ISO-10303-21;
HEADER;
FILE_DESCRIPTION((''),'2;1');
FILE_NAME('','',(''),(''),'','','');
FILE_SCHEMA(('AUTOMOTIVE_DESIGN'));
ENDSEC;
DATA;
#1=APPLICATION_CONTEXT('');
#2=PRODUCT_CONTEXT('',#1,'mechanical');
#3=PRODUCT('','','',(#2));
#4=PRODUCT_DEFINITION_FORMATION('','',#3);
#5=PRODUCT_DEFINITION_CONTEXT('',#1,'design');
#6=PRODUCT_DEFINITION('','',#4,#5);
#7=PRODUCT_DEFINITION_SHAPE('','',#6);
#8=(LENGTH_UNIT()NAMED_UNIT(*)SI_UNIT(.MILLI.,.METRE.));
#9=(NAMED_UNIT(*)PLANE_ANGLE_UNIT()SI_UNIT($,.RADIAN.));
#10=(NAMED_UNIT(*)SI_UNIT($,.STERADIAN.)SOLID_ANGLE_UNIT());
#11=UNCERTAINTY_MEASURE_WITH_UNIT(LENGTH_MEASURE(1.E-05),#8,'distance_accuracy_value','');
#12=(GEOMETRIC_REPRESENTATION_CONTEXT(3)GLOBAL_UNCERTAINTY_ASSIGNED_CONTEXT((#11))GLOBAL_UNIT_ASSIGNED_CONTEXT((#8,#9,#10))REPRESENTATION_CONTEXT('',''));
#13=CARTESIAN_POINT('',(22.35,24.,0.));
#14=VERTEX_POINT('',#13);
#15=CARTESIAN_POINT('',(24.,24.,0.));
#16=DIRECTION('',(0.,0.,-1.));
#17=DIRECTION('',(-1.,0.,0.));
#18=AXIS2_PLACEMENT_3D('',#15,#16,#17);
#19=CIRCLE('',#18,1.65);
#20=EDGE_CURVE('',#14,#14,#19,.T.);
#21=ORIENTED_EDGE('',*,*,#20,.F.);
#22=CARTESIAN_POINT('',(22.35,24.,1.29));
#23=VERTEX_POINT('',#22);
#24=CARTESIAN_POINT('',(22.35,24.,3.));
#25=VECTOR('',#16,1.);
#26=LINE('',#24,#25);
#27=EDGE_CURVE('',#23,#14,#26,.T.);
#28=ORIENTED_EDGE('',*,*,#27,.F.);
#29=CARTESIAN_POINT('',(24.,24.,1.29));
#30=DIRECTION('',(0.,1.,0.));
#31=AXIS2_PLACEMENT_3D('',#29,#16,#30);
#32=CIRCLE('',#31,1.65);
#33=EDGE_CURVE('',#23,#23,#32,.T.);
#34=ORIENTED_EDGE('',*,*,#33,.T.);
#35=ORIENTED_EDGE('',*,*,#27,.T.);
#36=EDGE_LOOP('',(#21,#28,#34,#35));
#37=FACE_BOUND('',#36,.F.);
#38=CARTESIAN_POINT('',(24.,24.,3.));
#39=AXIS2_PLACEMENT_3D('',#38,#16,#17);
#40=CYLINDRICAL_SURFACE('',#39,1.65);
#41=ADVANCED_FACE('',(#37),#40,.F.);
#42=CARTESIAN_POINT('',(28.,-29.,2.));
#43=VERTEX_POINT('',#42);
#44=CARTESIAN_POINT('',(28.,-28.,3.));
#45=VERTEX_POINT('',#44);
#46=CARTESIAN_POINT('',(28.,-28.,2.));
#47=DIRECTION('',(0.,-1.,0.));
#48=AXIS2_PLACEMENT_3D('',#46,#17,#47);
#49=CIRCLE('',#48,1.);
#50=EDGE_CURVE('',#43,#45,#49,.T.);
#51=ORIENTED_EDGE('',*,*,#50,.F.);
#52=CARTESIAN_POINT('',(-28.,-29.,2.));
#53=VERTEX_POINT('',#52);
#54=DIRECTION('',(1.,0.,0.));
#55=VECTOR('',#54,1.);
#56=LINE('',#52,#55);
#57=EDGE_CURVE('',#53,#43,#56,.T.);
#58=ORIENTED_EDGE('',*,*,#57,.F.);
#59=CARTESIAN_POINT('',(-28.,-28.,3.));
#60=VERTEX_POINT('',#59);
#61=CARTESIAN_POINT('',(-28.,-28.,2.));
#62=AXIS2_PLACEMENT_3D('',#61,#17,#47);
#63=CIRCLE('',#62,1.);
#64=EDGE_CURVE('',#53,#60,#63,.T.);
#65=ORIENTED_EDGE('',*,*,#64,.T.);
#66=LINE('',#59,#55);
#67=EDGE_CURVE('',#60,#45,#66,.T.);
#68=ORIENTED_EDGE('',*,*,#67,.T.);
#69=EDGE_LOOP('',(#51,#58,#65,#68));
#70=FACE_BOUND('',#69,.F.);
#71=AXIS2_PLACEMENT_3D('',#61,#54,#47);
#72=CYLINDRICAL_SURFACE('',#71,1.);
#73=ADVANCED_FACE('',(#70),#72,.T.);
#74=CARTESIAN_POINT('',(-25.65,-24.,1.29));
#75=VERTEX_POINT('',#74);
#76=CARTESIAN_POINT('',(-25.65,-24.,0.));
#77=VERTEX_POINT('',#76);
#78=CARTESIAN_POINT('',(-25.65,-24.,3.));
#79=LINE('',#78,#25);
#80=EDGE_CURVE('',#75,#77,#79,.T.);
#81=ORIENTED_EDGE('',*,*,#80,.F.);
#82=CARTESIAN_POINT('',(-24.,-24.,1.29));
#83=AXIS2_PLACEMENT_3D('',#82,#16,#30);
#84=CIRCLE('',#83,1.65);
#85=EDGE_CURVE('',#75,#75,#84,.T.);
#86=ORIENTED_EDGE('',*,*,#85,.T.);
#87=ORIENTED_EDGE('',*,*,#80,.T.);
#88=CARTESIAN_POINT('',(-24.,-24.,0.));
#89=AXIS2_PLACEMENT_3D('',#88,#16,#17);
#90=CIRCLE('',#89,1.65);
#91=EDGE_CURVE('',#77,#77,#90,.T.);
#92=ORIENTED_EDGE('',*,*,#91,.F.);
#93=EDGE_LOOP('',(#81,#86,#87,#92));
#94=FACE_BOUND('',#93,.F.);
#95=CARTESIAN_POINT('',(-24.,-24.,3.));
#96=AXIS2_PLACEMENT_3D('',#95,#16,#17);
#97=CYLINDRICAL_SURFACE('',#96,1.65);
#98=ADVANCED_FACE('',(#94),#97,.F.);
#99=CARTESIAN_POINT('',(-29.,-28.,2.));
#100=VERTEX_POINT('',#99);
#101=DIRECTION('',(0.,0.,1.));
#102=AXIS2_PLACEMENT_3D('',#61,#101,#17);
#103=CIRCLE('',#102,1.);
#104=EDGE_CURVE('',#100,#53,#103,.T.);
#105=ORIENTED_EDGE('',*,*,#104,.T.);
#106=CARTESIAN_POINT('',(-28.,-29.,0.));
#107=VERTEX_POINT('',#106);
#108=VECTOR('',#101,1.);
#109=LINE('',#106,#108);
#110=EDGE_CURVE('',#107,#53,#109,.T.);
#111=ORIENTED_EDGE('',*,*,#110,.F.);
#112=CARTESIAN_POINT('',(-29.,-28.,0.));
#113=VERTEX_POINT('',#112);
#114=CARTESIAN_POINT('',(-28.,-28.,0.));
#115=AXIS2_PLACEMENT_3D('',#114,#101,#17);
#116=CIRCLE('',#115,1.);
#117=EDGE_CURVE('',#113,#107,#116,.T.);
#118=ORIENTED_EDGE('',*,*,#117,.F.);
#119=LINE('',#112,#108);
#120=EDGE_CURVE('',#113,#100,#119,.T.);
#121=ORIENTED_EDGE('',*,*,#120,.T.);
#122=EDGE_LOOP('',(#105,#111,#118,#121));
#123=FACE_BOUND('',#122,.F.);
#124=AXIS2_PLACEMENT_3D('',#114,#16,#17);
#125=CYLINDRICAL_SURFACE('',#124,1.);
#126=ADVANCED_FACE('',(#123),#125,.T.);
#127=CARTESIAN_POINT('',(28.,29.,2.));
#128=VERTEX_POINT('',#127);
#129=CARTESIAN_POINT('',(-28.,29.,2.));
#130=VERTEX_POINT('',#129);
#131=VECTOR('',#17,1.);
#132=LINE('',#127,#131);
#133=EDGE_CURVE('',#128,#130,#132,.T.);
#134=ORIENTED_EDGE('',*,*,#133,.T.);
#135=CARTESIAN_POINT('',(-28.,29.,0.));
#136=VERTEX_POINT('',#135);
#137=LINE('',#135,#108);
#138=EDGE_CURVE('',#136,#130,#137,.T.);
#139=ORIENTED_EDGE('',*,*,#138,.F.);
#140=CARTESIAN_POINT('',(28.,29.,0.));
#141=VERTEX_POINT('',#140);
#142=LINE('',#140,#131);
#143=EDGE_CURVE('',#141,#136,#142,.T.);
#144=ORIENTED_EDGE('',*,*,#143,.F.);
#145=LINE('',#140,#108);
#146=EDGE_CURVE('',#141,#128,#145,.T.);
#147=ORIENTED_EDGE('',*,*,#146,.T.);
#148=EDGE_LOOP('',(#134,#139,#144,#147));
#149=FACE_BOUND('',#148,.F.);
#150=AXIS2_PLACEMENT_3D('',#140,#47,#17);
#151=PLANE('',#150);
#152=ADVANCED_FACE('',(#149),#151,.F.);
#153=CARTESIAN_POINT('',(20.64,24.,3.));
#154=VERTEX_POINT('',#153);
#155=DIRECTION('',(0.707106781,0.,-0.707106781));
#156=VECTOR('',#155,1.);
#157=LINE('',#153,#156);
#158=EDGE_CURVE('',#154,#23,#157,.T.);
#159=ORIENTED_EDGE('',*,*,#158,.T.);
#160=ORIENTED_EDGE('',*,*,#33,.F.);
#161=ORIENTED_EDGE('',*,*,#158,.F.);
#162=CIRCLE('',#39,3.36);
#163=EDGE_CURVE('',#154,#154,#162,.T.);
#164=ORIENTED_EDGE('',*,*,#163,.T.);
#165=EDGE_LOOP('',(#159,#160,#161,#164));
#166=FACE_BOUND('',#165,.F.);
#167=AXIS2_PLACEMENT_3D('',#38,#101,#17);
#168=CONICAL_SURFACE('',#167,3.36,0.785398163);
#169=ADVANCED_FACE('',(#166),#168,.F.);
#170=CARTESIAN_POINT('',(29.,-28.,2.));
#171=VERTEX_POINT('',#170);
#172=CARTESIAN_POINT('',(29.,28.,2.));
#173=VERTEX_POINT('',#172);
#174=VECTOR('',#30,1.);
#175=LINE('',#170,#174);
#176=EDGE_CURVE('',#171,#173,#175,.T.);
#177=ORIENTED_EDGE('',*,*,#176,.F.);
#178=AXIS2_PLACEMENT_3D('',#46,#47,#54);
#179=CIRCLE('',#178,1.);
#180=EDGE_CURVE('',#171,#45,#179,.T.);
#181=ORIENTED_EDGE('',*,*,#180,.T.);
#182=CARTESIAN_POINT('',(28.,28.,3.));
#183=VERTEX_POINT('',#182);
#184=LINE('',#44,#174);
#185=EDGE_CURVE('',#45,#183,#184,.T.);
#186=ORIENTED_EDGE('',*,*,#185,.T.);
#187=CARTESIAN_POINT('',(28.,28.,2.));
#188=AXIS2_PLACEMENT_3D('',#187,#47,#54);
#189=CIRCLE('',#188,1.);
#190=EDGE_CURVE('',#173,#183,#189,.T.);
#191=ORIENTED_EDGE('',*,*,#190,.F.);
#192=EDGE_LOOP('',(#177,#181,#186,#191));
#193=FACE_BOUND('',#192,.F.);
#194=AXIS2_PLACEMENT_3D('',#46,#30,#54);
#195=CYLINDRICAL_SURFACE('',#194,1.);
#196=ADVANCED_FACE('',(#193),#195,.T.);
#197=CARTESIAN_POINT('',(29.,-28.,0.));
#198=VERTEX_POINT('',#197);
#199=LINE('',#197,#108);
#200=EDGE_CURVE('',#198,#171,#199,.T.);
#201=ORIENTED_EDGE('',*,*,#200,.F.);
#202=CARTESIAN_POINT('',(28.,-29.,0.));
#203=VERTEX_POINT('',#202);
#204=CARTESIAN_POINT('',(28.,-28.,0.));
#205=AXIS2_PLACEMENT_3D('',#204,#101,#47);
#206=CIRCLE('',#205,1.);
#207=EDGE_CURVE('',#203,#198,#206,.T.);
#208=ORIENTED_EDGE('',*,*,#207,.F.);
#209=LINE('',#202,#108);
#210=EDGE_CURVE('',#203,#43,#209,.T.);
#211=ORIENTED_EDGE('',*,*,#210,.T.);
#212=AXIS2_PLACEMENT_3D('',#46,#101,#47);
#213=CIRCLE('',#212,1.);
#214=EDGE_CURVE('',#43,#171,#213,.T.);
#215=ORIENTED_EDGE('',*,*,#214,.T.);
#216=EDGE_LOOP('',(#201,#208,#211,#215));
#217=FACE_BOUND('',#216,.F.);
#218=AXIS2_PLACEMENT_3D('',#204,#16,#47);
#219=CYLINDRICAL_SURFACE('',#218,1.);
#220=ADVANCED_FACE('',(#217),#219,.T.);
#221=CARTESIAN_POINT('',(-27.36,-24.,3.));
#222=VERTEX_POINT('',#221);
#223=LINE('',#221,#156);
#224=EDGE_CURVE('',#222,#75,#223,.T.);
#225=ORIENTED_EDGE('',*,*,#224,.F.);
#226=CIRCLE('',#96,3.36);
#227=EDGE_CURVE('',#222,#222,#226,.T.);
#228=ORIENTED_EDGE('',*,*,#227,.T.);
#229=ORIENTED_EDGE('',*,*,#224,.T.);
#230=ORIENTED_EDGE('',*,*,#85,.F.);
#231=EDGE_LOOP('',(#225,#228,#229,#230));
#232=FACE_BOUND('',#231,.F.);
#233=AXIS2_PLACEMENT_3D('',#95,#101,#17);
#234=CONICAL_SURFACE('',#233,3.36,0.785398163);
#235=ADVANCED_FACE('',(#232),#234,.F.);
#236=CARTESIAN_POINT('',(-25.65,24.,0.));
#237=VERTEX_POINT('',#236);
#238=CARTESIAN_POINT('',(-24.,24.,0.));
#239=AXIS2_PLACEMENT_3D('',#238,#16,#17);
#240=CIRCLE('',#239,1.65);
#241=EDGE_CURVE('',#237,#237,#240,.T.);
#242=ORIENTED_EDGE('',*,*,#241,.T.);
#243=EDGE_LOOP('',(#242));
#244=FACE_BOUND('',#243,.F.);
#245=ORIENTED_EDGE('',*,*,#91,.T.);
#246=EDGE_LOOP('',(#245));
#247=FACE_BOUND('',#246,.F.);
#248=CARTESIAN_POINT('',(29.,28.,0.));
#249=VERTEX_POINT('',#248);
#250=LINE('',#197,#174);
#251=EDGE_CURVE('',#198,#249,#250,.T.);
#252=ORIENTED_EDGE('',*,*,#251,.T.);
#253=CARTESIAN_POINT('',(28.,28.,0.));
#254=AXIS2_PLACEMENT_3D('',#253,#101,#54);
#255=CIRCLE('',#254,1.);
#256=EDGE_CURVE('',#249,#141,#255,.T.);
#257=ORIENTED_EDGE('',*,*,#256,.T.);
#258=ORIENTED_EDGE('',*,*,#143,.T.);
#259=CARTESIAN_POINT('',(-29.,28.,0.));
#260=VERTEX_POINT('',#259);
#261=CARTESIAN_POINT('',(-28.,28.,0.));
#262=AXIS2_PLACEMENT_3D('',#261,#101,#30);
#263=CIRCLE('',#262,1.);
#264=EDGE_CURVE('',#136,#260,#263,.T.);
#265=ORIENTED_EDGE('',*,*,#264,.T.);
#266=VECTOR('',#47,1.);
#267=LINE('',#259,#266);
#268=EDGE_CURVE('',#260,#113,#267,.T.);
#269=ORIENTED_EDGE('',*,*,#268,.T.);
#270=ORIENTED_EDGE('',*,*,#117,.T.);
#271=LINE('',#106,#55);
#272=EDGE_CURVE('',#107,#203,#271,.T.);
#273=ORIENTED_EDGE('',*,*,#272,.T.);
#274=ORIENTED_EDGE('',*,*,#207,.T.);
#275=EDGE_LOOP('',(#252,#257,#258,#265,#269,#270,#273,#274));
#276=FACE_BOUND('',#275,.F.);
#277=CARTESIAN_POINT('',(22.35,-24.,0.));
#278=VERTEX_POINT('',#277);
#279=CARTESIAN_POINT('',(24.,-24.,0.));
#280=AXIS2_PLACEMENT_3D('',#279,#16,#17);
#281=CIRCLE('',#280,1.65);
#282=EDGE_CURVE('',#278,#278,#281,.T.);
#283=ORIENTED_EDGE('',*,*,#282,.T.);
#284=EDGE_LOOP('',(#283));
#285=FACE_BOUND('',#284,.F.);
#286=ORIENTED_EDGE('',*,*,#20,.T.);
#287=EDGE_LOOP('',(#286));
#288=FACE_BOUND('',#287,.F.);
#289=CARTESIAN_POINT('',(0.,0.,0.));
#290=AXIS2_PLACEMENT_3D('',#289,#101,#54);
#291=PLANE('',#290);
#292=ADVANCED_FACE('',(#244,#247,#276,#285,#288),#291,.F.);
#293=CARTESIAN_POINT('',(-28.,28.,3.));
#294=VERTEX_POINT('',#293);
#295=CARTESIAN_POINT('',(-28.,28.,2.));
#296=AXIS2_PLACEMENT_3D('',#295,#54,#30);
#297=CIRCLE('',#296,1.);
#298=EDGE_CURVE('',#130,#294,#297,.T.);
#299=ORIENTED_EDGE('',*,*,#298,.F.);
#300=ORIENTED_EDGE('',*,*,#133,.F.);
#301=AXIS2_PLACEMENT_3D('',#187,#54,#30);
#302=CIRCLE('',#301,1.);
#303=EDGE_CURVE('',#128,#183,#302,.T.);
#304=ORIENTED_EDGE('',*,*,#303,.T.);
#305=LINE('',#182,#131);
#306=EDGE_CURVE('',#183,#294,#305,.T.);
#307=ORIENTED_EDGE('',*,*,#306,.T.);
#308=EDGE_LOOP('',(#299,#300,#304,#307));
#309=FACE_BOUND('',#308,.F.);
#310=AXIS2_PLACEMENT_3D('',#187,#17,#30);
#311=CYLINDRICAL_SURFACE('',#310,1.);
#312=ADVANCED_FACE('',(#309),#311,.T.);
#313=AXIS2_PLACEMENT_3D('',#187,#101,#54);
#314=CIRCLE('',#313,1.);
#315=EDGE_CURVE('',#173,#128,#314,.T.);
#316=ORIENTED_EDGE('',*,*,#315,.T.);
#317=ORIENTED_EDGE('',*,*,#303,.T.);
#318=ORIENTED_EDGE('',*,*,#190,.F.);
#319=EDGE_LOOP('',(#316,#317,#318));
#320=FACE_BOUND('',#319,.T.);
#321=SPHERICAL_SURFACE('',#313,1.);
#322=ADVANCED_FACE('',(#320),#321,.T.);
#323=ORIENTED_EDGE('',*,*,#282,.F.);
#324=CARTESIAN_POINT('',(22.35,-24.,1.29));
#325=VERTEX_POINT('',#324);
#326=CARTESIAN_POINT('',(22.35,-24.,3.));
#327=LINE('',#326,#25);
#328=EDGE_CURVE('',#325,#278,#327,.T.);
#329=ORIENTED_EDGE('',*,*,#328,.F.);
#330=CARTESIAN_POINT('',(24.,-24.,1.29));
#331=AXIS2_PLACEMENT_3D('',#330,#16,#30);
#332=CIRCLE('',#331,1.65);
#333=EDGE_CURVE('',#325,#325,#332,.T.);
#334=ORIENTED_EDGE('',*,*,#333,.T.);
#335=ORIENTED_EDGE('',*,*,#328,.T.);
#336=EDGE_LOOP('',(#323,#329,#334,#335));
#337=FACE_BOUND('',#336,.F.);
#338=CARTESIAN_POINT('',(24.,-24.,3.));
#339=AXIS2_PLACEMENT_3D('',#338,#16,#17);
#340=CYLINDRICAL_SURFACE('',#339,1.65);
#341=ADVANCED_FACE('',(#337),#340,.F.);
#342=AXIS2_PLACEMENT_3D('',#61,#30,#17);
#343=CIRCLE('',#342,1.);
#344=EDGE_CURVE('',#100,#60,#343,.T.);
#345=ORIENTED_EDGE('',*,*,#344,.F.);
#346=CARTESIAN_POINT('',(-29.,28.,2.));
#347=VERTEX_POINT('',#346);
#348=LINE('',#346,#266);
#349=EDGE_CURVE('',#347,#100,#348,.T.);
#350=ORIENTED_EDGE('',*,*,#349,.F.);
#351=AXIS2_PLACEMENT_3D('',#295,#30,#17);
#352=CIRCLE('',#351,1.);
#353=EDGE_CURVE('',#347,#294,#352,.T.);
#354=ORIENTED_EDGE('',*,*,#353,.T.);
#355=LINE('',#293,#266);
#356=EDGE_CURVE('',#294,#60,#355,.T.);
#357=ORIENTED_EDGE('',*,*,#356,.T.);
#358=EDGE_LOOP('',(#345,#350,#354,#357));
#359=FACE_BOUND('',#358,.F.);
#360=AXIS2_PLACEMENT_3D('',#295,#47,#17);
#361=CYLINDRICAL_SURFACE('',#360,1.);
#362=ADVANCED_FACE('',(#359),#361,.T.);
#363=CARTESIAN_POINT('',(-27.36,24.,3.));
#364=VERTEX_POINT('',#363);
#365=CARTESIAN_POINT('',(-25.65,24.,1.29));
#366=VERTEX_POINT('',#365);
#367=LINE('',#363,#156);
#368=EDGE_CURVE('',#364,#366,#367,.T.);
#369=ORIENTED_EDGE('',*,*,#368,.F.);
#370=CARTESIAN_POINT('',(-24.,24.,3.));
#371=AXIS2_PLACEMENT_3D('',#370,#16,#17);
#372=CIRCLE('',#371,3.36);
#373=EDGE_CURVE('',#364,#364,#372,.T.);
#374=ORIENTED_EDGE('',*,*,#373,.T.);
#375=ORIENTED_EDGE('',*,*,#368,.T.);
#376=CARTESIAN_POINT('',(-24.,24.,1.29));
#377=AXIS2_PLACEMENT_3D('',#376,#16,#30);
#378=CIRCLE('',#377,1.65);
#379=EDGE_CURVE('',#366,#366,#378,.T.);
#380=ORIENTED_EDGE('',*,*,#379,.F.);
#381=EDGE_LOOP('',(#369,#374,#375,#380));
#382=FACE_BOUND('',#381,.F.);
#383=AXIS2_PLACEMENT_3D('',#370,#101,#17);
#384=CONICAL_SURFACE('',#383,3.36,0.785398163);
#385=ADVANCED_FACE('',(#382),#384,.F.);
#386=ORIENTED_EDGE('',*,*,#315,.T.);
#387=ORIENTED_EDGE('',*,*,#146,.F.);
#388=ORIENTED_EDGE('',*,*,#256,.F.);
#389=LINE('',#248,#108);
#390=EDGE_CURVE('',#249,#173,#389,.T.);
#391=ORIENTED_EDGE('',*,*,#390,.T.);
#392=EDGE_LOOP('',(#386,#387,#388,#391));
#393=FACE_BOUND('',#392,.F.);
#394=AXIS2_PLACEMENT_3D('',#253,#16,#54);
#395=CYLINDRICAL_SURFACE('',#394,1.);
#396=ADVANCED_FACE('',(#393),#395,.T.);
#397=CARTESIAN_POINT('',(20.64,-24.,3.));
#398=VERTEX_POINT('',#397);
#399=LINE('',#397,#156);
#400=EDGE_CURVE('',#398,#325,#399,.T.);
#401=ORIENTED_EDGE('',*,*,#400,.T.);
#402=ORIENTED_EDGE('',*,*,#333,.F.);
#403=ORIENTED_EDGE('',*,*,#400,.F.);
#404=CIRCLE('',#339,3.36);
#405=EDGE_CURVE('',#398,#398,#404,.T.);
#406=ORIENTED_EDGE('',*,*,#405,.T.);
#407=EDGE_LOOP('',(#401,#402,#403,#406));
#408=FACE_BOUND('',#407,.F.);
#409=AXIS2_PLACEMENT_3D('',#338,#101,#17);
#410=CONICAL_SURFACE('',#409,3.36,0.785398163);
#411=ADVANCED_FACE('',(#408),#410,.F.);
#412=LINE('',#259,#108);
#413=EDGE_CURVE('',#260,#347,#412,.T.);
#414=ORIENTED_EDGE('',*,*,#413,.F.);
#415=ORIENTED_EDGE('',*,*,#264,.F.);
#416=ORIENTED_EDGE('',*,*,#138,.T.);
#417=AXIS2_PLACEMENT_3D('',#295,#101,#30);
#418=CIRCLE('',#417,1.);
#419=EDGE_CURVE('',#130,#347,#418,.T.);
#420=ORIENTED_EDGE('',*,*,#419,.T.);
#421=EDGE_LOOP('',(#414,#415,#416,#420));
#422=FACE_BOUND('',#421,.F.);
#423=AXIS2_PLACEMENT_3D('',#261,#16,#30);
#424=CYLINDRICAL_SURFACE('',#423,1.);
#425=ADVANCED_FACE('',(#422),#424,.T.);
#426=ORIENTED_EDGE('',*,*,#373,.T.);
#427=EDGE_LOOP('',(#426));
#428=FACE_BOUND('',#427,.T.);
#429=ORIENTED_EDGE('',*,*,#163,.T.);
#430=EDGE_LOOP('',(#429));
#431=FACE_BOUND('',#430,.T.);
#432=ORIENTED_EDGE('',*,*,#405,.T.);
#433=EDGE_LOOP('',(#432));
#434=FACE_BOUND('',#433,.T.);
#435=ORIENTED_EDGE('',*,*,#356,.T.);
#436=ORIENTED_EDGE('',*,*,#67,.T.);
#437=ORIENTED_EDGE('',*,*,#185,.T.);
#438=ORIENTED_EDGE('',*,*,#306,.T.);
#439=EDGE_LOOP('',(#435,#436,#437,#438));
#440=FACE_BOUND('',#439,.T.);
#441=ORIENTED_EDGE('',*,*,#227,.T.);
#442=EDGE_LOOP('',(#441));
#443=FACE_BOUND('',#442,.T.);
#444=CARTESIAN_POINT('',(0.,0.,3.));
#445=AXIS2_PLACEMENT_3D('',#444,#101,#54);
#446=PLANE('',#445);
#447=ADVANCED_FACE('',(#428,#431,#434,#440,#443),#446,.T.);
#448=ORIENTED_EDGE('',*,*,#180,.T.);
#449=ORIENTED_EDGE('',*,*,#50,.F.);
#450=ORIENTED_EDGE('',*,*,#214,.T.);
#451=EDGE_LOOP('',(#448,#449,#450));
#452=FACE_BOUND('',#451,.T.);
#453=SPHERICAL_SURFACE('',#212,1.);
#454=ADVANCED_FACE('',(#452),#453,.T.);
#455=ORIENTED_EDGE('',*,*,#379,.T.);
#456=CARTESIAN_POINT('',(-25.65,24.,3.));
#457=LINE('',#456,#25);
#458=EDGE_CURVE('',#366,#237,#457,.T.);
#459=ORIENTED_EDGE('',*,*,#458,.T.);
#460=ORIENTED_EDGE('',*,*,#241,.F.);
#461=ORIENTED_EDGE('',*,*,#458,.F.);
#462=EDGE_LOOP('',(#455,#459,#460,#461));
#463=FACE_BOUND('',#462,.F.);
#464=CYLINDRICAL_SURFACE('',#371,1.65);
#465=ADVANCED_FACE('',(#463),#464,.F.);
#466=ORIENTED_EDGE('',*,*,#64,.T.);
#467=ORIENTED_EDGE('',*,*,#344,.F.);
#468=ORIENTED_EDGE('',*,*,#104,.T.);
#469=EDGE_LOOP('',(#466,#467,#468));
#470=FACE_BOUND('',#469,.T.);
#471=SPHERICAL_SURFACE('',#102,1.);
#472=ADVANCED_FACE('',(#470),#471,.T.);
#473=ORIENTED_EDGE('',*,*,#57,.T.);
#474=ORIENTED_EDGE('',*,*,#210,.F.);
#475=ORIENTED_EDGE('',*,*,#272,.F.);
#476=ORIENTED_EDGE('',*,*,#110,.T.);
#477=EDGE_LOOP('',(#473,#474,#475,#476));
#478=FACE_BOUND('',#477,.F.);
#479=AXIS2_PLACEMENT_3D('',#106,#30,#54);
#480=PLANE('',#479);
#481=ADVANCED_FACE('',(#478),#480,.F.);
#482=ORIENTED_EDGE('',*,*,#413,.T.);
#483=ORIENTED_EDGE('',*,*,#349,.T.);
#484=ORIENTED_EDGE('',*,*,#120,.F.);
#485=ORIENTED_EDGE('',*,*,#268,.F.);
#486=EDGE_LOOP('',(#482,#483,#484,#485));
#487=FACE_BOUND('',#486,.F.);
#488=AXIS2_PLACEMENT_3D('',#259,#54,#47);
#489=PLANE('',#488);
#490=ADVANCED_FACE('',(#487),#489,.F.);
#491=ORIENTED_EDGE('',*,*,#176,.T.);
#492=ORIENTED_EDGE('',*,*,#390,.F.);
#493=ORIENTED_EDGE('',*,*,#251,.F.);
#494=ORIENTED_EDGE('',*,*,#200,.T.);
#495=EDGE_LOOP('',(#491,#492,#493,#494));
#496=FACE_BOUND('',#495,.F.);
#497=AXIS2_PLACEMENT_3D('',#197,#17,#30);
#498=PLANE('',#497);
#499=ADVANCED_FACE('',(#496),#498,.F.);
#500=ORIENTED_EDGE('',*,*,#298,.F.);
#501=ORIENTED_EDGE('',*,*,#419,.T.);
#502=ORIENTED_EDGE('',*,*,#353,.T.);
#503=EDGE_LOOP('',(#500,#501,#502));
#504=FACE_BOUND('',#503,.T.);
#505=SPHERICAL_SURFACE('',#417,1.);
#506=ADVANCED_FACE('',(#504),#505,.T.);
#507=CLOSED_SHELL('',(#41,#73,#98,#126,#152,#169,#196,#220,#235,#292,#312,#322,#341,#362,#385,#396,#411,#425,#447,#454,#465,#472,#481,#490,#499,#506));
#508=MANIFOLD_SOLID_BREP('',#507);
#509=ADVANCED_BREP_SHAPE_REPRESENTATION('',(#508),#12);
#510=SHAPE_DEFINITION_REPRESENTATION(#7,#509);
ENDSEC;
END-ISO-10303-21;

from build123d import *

# Parameters (mm, degrees)
F1_DEPTH       = 3
F2_R           = 1
F4_D           = 3.3
F4_CSINK_D     = 6.72
F4_CSINK_ANGLE = 90


with BuildPart() as f1:
    # F0 (on Top) → F1 (new body)
    with BuildSketch(Plane.XY):
        with BuildLine():
            Line((-28, -29), (28, -29))
            ThreePointArc((28, -29), (28.7071067812, -28.7071067812), (29, -28))
            Line((29, -28), (29, 28))
            ThreePointArc((29, 28), (28.7071067812, 28.7071067812), (28, 29))
            Line((28, 29), (-28, 29))
            ThreePointArc((-28, 29), (-28.7071067812, 28.7071067812), (-29, 28))
            Line((-29, 28), (-29, -28))
            ThreePointArc((-29, -28), (-28.7071067812, -28.7071067812), (-28, -29))
        make_face()
    extrude(amount=F1_DEPTH)

    # F2
    f2_edges = [f1.edges().sort_by_distance(p)[0] for p in [
        (29, 0, 3),
    ]]
    fillet(f2_edges, radius=F2_R)

    # F4 (through all)
    with Locations(Plane.XY.offset(3)):
        with Locations((-24, 24), (24, 24), (-24, -24), (24, -24)):
            CounterSinkHole(F4_D / 2, F4_CSINK_D / 2, counter_sink_angle=F4_CSINK_ANGLE)


solid = f1.part
